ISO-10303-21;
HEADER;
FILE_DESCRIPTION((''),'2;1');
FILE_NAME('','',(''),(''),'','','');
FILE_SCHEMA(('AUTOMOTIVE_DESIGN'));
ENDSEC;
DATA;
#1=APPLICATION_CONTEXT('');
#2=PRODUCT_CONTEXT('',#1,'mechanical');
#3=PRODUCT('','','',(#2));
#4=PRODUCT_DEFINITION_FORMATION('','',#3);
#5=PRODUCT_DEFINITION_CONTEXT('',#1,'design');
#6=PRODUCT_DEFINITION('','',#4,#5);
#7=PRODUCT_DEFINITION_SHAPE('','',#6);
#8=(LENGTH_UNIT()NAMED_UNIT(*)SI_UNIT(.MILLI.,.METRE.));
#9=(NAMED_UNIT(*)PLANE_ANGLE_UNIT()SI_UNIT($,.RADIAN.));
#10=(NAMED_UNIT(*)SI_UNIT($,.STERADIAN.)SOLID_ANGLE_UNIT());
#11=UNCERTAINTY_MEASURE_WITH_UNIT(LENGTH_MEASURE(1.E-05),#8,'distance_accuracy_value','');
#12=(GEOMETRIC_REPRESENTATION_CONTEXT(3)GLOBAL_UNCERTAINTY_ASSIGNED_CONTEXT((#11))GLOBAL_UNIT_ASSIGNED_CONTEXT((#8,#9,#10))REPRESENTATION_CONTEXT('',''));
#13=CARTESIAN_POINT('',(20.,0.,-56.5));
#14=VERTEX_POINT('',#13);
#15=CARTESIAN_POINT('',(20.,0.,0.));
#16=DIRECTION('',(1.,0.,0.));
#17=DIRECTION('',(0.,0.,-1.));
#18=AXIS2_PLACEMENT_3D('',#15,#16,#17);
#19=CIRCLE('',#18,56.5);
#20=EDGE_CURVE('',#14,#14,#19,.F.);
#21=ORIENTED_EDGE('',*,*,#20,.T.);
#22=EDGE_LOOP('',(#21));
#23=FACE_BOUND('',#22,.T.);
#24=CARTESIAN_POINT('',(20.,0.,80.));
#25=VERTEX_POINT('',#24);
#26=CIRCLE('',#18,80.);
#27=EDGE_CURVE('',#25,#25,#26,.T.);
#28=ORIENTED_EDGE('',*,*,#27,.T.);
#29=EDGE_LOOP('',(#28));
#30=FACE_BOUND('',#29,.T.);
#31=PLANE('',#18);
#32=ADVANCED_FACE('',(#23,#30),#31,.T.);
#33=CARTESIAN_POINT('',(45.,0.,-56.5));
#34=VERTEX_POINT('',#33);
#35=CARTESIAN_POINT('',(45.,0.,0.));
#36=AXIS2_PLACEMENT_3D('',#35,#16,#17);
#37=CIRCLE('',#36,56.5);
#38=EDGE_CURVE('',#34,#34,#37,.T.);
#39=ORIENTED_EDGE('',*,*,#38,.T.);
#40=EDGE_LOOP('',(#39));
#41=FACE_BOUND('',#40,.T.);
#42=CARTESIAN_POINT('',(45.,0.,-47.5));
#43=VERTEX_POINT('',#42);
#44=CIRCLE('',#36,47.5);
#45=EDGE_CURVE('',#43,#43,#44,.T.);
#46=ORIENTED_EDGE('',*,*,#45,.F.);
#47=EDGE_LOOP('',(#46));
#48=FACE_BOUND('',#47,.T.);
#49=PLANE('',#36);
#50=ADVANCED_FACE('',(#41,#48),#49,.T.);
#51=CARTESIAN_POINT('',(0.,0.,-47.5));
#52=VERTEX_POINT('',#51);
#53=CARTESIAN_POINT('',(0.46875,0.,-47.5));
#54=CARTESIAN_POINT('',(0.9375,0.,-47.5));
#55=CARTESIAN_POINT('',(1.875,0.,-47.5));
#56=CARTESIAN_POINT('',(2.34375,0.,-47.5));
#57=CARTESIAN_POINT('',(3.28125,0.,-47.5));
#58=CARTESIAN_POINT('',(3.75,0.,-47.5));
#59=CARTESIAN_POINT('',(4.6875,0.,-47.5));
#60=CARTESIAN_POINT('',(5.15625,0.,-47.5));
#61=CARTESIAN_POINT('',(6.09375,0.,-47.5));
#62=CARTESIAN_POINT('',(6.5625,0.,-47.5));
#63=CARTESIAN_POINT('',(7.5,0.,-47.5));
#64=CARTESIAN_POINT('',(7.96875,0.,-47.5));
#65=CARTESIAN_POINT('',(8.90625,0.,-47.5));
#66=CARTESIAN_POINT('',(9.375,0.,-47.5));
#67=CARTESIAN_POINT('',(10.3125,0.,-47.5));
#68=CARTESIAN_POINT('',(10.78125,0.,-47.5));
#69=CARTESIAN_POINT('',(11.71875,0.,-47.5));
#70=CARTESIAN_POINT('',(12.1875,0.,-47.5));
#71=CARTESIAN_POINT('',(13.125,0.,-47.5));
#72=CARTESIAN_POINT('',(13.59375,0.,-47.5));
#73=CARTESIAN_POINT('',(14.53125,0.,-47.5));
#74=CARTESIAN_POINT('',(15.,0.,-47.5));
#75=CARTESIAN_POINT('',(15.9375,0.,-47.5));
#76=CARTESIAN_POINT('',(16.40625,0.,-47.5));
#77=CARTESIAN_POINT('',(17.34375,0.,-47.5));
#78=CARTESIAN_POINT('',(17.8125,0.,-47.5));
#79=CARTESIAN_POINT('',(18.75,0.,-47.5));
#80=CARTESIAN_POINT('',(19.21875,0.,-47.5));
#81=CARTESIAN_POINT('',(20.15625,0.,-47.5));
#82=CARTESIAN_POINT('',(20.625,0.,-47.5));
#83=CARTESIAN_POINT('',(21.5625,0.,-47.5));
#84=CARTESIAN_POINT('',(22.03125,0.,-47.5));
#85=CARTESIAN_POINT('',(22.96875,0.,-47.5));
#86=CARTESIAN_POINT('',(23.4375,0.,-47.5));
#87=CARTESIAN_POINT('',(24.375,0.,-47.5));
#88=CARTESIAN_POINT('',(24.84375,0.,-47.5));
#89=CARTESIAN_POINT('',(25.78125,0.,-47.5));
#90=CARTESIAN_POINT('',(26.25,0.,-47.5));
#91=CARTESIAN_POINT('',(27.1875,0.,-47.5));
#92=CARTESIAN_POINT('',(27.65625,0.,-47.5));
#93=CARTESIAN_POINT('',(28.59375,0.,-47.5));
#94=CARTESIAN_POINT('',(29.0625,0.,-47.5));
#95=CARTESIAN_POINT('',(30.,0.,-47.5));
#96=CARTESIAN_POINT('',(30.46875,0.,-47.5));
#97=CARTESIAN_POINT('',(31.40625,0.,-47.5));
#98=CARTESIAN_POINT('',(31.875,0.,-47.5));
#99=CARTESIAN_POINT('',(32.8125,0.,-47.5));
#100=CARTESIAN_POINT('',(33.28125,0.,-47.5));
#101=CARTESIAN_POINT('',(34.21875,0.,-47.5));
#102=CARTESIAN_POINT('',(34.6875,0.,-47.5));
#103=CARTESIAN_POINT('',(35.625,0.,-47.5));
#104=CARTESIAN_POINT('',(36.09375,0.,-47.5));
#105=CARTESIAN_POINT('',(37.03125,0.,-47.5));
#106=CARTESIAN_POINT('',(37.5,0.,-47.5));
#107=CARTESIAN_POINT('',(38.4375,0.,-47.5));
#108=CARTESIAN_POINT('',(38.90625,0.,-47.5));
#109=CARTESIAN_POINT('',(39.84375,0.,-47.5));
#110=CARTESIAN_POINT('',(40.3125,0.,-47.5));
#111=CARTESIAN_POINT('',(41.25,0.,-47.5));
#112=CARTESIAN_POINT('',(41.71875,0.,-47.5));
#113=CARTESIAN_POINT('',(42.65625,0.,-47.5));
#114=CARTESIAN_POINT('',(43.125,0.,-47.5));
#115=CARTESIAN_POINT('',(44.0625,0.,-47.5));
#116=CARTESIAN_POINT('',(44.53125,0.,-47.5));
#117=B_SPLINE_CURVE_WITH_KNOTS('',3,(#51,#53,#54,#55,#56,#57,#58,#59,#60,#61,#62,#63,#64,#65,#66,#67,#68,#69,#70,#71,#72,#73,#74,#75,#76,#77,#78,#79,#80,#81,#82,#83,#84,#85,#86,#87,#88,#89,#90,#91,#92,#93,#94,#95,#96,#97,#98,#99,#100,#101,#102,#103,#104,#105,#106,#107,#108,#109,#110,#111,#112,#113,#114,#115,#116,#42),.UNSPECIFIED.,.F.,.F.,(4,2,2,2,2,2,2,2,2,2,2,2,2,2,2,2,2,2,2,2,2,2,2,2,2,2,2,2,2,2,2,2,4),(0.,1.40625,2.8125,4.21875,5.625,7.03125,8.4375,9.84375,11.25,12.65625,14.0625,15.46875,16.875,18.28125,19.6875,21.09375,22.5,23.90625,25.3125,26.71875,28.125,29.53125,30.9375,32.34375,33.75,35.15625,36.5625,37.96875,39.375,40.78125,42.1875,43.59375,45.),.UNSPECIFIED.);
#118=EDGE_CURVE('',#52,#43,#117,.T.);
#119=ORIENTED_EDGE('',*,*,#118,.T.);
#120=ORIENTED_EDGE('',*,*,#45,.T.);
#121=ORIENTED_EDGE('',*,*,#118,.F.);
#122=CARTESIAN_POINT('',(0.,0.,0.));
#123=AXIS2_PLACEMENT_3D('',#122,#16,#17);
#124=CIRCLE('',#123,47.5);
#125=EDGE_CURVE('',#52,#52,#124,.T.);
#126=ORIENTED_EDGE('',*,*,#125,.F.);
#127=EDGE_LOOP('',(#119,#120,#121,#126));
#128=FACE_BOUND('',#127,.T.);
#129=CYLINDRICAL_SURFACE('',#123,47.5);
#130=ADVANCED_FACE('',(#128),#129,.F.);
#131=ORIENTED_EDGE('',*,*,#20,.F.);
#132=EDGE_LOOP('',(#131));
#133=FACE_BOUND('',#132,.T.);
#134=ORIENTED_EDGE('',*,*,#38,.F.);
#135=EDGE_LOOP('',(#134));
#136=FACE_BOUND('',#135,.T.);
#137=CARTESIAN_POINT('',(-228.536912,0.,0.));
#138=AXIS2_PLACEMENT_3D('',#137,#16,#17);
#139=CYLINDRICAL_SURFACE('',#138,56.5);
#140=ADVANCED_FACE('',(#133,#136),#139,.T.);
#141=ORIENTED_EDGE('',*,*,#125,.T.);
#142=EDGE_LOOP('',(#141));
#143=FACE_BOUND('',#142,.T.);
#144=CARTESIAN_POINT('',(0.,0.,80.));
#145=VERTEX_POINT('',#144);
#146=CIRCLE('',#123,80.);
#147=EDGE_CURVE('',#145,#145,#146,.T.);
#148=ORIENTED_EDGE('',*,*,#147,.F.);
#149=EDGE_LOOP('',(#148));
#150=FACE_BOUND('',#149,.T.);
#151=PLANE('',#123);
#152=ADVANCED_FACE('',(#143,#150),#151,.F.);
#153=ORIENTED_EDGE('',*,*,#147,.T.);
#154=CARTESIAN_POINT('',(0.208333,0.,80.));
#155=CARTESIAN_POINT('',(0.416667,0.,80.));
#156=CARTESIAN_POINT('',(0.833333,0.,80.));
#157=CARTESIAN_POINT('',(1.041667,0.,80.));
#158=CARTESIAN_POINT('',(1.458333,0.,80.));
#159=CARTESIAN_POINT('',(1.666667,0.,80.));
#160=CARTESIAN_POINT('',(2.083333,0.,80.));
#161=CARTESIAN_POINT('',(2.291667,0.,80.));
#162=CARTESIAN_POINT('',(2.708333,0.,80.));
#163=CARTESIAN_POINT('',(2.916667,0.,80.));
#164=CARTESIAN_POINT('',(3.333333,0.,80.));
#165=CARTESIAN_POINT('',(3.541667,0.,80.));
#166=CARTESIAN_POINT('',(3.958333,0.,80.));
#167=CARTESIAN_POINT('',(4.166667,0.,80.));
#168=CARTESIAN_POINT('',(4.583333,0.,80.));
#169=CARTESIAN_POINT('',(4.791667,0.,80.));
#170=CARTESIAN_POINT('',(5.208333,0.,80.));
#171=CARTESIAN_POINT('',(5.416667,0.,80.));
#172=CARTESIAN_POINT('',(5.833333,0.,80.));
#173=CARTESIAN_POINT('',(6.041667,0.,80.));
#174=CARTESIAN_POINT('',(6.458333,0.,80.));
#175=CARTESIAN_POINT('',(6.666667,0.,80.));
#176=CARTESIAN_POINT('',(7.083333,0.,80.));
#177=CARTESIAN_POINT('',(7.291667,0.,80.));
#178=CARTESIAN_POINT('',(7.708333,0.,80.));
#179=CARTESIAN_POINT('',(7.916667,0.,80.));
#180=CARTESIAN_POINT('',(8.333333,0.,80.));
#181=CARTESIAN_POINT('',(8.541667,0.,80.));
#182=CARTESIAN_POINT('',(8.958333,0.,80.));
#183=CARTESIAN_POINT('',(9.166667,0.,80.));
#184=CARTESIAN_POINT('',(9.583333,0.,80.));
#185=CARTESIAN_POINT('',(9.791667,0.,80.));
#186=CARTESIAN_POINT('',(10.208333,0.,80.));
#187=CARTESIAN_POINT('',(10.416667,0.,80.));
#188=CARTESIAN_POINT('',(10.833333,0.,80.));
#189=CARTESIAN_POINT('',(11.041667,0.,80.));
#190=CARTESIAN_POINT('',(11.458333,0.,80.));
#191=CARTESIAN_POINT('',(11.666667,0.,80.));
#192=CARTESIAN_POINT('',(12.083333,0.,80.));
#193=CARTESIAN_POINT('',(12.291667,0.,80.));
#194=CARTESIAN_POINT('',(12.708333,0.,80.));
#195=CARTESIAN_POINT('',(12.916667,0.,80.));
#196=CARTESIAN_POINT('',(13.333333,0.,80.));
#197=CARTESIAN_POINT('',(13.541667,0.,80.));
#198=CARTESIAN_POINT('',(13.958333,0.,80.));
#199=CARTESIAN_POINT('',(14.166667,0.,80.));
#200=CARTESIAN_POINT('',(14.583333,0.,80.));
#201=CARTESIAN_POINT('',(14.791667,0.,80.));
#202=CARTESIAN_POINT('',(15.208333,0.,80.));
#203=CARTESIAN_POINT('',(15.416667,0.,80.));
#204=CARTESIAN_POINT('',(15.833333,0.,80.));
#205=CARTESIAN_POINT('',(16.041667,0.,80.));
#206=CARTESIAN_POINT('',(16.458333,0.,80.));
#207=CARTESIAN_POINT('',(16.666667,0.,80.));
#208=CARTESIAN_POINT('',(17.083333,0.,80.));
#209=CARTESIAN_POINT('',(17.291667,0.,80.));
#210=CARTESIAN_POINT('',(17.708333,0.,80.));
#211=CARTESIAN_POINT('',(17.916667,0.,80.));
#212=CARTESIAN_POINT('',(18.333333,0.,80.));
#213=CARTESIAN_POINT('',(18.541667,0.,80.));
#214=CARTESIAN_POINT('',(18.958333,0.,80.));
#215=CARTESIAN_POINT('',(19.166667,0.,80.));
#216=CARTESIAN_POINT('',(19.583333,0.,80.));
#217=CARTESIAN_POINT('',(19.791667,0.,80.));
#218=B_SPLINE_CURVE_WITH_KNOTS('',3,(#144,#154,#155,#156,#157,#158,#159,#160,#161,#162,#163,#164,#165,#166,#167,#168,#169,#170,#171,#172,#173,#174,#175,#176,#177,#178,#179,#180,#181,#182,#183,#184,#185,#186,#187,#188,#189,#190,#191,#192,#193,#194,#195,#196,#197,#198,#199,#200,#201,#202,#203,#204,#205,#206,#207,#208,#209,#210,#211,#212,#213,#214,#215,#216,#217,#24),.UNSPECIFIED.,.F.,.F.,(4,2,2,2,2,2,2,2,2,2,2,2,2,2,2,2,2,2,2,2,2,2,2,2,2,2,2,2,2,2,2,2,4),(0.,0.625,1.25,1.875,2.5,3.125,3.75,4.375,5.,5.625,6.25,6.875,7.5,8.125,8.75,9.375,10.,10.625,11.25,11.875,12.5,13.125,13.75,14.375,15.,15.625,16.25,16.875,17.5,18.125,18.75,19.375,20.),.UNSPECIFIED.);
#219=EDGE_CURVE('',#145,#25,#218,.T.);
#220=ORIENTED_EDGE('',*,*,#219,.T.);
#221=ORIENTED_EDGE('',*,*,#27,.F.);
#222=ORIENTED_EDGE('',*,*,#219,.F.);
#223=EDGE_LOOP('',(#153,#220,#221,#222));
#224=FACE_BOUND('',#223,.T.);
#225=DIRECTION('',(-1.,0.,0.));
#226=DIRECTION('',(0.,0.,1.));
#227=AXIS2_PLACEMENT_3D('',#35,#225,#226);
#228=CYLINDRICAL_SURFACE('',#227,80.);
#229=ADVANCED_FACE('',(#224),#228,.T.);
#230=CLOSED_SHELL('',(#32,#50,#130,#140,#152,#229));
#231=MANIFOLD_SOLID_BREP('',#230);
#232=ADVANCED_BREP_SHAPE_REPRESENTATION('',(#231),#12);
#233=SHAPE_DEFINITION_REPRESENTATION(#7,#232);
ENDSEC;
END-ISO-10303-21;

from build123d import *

# Parameters (mm, degrees)
SKETCH_1_R          = 80
EXTRUDE_1_DEPTH     = 45
SKETCH_2_R          = 47.5
CUT_EXTRUDE_1_DEPTH = 122.757956619
SKETCH_3_OUTSIDE_W  = 208.142
SKETCH_3_OUTSIDE_H  = 208.142
SKETCH_3_OUTSIDE_R  = 56.5
CUT_EXTRUDE_2_DEPTH = 25


with BuildPart() as part:
    # 草图1 → 凸台-拉伸1 (new body)
    with BuildSketch(Plane(origin=(0, 0, 0), x_dir=(0, 0, -1), z_dir=(1, 0, 0))):
        with Locations(Location((0, 0, 0), (0, 0, 180))):
            Circle(SKETCH_1_R)
    extrude(amount=EXTRUDE_1_DEPTH)

    # 草图2 → 切除-拉伸1 (cut, through all)
    with BuildSketch(Plane(origin=(45, 0, 0), x_dir=(0, 0, -1), z_dir=(1, 0, 0))):
        Circle(SKETCH_2_R)
    extrude(amount=-CUT_EXTRUDE_1_DEPTH, mode=Mode.SUBTRACT)

    # 草图3 outside → 切除-拉伸2 (cut)
    with BuildSketch(Plane(origin=(45, 0, 0), x_dir=(0, 0, -1), z_dir=(1, 0, 0))):
        Rectangle(SKETCH_3_OUTSIDE_W, SKETCH_3_OUTSIDE_H)
        Circle(SKETCH_3_OUTSIDE_R, mode=Mode.SUBTRACT)
    extrude(amount=-CUT_EXTRUDE_2_DEPTH, mode=Mode.SUBTRACT)


solid = part.part
